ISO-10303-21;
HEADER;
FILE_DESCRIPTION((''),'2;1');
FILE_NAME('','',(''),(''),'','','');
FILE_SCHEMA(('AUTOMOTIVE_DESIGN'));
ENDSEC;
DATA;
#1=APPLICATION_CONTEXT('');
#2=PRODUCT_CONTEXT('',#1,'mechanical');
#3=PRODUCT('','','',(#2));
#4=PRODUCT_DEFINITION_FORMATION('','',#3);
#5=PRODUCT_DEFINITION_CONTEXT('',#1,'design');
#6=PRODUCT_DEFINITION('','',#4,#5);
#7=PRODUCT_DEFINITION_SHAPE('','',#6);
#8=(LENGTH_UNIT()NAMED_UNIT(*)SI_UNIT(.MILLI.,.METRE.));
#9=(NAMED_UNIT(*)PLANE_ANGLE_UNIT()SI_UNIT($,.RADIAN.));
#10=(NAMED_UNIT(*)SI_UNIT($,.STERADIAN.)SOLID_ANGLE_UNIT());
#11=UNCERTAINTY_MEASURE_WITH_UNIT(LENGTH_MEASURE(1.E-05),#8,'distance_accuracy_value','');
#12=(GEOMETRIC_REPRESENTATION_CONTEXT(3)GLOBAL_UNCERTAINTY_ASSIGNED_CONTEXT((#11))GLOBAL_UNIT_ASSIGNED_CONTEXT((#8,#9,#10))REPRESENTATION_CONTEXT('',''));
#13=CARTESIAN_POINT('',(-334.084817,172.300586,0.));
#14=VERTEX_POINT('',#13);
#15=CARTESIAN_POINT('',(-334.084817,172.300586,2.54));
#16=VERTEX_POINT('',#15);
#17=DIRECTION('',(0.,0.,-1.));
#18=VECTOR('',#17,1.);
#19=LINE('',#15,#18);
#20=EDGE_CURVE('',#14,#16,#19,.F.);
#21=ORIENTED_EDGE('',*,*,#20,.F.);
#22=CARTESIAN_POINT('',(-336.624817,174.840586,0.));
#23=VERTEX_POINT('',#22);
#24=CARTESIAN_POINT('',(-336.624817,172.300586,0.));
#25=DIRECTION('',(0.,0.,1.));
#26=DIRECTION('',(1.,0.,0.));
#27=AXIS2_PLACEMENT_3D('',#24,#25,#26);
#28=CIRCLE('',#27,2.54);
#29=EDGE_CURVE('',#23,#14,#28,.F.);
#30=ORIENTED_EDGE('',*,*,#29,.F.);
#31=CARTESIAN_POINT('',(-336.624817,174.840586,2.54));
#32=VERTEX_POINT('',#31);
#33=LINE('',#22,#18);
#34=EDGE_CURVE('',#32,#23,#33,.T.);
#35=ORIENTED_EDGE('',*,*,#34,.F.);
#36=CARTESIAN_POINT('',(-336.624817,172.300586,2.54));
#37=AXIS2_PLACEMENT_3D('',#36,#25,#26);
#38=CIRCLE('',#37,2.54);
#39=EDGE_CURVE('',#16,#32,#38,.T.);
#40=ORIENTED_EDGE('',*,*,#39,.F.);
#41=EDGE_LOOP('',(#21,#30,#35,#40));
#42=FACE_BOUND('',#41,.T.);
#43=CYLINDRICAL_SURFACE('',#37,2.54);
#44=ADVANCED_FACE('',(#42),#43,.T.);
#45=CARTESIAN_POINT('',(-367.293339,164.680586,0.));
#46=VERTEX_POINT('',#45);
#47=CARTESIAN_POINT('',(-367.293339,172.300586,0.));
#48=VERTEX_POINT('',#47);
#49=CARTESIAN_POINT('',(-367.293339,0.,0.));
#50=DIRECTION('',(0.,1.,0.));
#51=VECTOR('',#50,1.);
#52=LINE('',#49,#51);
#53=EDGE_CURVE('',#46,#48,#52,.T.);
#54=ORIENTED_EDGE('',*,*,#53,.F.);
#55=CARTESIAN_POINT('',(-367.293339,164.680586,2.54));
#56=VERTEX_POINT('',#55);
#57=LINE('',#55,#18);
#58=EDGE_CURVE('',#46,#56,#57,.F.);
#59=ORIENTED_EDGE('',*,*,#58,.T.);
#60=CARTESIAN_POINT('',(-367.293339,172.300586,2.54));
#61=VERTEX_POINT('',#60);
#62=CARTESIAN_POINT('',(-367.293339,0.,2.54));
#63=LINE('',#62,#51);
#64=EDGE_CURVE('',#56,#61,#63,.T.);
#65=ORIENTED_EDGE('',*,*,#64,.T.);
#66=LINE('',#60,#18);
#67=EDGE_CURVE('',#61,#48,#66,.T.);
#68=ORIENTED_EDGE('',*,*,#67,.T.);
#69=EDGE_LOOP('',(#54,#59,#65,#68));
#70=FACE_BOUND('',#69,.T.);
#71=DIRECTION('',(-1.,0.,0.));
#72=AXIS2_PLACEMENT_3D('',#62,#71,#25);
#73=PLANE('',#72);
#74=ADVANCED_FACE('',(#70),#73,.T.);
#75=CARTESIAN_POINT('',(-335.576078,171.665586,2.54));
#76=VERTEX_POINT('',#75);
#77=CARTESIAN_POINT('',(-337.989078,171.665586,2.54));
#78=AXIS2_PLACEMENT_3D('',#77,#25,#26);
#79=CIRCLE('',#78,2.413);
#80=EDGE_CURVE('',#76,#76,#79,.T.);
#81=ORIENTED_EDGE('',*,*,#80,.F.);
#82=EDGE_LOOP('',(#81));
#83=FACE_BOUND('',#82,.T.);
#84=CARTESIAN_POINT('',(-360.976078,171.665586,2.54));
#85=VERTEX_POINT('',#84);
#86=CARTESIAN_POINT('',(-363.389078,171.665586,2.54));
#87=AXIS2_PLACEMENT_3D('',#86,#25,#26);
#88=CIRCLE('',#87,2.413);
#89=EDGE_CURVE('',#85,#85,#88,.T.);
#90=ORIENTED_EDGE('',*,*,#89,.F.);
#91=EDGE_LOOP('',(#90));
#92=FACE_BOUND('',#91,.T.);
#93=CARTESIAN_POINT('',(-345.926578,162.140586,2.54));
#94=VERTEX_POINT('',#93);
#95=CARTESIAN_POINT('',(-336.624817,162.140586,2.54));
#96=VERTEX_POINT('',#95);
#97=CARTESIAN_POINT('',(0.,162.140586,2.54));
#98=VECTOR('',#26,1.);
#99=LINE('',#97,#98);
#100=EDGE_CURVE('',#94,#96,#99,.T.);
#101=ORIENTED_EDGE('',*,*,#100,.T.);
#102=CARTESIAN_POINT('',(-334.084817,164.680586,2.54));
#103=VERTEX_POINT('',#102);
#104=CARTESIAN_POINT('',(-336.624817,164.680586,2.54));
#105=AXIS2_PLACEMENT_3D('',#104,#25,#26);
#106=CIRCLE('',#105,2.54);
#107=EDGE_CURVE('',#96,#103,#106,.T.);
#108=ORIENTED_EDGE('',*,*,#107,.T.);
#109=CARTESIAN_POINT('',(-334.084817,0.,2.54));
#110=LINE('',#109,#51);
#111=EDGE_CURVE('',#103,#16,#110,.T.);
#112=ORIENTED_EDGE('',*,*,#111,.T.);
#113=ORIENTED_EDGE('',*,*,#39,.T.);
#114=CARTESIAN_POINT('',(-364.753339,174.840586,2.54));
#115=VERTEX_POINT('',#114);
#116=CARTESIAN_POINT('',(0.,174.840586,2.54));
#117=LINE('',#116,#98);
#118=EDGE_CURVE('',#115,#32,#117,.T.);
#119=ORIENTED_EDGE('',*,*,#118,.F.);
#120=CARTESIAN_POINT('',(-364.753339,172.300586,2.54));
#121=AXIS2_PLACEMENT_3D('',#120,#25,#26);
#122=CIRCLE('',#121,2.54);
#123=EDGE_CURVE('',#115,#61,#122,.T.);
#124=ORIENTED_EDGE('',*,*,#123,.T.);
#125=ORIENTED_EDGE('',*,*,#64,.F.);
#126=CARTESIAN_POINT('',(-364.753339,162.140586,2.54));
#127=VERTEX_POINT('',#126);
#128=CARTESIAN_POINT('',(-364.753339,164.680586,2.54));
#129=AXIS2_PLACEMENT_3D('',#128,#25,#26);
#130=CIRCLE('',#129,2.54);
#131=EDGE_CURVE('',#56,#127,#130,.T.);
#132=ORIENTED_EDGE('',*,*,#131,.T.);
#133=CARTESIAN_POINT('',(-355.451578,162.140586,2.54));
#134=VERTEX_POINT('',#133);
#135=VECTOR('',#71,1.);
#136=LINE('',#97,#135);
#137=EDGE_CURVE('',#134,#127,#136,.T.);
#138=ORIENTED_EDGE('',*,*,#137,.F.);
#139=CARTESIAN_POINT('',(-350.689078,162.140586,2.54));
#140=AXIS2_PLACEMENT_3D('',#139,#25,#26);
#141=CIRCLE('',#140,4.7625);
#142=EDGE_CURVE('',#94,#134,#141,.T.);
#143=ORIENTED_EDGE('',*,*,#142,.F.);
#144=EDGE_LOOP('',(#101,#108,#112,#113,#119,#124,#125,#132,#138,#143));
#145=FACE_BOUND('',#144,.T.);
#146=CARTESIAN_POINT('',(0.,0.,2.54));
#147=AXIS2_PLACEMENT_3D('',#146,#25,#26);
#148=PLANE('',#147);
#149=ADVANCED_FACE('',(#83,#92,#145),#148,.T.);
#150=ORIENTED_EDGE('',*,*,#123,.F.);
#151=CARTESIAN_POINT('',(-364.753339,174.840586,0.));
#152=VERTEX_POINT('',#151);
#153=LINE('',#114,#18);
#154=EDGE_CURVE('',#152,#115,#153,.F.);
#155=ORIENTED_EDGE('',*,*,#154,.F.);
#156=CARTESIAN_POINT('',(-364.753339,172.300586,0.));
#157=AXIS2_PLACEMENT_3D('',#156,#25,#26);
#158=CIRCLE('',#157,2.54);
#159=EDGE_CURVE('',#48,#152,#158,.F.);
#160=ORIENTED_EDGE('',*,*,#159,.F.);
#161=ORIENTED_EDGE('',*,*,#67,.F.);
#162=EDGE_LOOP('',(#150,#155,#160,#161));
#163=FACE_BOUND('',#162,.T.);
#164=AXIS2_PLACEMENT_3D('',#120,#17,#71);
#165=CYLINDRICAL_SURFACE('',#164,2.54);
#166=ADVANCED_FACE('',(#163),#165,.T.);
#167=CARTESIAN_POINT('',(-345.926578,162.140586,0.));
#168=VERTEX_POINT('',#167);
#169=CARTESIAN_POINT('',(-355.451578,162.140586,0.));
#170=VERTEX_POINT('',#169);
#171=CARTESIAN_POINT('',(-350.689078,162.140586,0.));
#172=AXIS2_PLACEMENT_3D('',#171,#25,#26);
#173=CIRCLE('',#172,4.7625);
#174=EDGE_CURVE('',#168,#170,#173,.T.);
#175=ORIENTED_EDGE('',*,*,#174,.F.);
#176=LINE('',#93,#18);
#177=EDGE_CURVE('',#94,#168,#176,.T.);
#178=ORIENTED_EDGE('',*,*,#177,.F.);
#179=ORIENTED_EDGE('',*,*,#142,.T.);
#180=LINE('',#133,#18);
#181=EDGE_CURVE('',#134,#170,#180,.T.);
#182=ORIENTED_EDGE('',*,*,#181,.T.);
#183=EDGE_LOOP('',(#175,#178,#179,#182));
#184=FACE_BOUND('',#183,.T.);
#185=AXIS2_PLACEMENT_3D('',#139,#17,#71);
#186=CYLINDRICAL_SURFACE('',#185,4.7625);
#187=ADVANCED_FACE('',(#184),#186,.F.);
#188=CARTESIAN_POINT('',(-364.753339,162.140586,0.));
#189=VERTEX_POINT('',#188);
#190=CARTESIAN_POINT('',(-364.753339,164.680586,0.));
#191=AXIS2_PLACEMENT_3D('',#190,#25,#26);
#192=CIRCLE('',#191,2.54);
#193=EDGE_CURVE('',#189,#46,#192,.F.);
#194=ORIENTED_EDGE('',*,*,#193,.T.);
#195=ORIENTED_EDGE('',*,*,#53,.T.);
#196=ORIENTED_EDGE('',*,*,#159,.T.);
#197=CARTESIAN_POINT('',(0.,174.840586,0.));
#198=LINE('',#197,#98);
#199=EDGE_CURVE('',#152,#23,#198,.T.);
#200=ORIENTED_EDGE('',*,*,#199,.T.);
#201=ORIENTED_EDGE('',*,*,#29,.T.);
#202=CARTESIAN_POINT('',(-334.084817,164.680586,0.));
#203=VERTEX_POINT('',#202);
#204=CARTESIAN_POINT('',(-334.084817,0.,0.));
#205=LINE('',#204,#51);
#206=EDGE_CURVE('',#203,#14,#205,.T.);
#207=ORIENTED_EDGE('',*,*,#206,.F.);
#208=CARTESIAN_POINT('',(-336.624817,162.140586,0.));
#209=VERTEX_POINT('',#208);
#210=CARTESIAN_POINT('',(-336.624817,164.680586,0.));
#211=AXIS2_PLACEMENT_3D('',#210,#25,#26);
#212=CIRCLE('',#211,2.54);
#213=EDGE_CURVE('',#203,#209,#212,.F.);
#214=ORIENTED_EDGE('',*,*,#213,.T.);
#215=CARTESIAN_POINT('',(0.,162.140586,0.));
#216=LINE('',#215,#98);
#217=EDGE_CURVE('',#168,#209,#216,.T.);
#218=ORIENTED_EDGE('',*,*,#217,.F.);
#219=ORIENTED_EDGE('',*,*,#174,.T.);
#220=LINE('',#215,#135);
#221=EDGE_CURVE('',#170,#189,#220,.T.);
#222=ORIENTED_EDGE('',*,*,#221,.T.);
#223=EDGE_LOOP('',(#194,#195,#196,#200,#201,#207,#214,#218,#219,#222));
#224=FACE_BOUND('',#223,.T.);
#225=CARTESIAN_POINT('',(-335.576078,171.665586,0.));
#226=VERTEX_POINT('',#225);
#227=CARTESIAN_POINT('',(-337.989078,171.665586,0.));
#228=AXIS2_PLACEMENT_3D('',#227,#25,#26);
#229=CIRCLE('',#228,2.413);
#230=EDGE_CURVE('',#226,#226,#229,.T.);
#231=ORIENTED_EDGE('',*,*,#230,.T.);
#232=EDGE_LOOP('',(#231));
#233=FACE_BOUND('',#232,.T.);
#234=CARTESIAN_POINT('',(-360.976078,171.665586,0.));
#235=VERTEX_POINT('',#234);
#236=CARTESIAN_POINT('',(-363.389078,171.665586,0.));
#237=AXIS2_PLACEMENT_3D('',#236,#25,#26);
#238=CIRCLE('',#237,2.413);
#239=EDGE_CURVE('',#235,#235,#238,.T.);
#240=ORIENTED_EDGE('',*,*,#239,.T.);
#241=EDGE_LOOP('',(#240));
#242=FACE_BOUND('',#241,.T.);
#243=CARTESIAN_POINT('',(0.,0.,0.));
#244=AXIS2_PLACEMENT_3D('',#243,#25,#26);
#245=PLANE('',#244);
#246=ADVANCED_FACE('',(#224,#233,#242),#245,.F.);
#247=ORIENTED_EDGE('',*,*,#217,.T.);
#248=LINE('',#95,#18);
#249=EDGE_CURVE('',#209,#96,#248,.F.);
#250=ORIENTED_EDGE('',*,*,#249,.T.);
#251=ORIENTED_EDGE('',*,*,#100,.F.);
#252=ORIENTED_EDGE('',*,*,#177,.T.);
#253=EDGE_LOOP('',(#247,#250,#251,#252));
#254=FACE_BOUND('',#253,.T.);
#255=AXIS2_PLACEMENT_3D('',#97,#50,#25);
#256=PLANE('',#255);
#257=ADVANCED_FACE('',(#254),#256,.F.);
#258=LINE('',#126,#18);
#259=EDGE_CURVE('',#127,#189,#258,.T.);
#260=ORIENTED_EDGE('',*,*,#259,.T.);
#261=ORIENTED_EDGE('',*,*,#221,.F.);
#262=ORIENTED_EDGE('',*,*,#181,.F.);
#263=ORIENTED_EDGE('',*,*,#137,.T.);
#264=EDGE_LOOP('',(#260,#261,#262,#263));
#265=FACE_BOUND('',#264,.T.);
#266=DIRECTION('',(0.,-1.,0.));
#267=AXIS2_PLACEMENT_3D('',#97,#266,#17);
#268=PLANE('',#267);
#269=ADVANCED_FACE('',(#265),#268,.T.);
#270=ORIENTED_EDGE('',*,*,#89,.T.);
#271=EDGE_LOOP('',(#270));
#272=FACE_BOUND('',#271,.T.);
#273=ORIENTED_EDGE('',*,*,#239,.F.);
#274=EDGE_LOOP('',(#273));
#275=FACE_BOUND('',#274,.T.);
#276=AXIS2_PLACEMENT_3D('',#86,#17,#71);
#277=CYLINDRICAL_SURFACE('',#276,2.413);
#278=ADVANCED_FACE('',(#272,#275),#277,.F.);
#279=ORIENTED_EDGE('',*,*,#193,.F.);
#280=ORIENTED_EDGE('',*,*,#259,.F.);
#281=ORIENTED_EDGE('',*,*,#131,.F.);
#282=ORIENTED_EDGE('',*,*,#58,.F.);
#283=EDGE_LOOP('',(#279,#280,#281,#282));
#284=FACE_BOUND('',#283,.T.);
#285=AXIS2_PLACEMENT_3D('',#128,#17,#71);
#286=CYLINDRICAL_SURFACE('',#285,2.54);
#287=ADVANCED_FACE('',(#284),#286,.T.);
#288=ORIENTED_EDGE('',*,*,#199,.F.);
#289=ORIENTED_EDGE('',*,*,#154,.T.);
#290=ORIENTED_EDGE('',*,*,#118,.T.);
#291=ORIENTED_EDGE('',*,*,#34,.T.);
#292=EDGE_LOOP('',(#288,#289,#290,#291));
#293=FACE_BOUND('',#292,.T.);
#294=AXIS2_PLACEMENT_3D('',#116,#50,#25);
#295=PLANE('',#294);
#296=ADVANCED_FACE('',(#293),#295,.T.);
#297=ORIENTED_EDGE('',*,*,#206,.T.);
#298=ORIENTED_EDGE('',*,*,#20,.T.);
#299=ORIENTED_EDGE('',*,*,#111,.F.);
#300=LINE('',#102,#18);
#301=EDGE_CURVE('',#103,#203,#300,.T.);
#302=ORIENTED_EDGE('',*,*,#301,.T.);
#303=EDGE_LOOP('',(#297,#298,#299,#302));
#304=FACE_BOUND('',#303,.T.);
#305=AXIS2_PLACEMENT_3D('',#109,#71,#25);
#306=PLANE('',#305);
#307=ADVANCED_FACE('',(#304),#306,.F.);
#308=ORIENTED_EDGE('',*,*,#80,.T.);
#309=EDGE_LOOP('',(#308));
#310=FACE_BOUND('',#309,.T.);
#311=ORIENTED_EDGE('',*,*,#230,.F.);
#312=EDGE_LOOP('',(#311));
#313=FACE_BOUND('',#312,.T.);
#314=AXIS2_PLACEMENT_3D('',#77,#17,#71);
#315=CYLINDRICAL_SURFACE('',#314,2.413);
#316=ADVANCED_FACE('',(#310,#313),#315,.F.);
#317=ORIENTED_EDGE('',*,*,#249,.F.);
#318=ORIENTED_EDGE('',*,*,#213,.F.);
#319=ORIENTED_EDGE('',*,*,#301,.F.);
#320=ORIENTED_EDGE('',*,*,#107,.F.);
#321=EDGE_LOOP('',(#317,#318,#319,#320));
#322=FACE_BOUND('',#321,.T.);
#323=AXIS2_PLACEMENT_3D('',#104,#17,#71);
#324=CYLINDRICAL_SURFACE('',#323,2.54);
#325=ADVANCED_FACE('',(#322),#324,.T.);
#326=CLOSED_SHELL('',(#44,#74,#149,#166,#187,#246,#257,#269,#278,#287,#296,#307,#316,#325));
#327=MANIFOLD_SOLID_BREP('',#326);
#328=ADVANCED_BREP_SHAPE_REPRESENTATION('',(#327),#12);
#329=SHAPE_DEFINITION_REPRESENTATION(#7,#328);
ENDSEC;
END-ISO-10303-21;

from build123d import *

# Parameters (mm, degrees)
SKETCH1_R           = 2.413
BOSS_EXTRUDE1_DEPTH = 2.54
FILLET1_R           = 2.54


with BuildPart() as part:
    # Sketch1 → Boss-Extrude1 (new body)
    # profile 1 of 2: a face of its own
    with BuildSketch(Plane.XY):
        with BuildLine():
            Line((-367.293338715, 162.140585859), (-357.133338715, 162.140585859))
            ThreePointArc((-357.133338715, 162.140585859), (-350.689077681, 168.584846892), (-344.244816647, 162.140585859))
            Line((-344.244816647, 162.140585859), (-334.084816647, 162.140585859))
            Line((-334.084816647, 162.140585859), (-334.084816647, 174.840585859))
            Line((-334.084816647, 174.840585859), (-367.293338715, 174.840585859))
            Line((-367.293338715, 174.840585859), (-367.293338715, 162.140585859))
        make_face()
        with Locations((-363.389077681, 171.665585859)):
            Circle(SKETCH1_R, mode=Mode.SUBTRACT)
        with Locations((-337.989077681, 171.665585859)):
            Circle(SKETCH1_R, mode=Mode.SUBTRACT)
    # profile 2 of 2: a face of its own
    with BuildSketch(Plane.XY):
        with BuildLine():
            ThreePointArc((-344.244816647, 162.140585859), (-350.689077681, 168.584846892), (-357.133338715, 162.140585859))
            Line((-357.133338715, 162.140585859), (-355.451577681, 162.140585859))
            ThreePointArc((-355.451577681, 162.140585859), (-350.689077681, 166.903085859), (-345.926577681, 162.140585859))
            Line((-345.926577681, 162.140585859), (-344.244816647, 162.140585859))
        make_face()
    extrude(amount=BOSS_EXTRUDE1_DEPTH)

    # Fillet1
    fillet1_edges = [part.edges().sort_by_distance(p)[0] for p in [
        (-367.293338715, 162.140585859, 1.27),
        (-367.293338715, 174.840585859, 1.27),
        (-334.084816647, 174.840585859, 1.27),
        (-334.084816647, 162.140585859, 1.27),
    ]]
    fillet(fillet1_edges, radius=FILLET1_R)


solid = part.part
